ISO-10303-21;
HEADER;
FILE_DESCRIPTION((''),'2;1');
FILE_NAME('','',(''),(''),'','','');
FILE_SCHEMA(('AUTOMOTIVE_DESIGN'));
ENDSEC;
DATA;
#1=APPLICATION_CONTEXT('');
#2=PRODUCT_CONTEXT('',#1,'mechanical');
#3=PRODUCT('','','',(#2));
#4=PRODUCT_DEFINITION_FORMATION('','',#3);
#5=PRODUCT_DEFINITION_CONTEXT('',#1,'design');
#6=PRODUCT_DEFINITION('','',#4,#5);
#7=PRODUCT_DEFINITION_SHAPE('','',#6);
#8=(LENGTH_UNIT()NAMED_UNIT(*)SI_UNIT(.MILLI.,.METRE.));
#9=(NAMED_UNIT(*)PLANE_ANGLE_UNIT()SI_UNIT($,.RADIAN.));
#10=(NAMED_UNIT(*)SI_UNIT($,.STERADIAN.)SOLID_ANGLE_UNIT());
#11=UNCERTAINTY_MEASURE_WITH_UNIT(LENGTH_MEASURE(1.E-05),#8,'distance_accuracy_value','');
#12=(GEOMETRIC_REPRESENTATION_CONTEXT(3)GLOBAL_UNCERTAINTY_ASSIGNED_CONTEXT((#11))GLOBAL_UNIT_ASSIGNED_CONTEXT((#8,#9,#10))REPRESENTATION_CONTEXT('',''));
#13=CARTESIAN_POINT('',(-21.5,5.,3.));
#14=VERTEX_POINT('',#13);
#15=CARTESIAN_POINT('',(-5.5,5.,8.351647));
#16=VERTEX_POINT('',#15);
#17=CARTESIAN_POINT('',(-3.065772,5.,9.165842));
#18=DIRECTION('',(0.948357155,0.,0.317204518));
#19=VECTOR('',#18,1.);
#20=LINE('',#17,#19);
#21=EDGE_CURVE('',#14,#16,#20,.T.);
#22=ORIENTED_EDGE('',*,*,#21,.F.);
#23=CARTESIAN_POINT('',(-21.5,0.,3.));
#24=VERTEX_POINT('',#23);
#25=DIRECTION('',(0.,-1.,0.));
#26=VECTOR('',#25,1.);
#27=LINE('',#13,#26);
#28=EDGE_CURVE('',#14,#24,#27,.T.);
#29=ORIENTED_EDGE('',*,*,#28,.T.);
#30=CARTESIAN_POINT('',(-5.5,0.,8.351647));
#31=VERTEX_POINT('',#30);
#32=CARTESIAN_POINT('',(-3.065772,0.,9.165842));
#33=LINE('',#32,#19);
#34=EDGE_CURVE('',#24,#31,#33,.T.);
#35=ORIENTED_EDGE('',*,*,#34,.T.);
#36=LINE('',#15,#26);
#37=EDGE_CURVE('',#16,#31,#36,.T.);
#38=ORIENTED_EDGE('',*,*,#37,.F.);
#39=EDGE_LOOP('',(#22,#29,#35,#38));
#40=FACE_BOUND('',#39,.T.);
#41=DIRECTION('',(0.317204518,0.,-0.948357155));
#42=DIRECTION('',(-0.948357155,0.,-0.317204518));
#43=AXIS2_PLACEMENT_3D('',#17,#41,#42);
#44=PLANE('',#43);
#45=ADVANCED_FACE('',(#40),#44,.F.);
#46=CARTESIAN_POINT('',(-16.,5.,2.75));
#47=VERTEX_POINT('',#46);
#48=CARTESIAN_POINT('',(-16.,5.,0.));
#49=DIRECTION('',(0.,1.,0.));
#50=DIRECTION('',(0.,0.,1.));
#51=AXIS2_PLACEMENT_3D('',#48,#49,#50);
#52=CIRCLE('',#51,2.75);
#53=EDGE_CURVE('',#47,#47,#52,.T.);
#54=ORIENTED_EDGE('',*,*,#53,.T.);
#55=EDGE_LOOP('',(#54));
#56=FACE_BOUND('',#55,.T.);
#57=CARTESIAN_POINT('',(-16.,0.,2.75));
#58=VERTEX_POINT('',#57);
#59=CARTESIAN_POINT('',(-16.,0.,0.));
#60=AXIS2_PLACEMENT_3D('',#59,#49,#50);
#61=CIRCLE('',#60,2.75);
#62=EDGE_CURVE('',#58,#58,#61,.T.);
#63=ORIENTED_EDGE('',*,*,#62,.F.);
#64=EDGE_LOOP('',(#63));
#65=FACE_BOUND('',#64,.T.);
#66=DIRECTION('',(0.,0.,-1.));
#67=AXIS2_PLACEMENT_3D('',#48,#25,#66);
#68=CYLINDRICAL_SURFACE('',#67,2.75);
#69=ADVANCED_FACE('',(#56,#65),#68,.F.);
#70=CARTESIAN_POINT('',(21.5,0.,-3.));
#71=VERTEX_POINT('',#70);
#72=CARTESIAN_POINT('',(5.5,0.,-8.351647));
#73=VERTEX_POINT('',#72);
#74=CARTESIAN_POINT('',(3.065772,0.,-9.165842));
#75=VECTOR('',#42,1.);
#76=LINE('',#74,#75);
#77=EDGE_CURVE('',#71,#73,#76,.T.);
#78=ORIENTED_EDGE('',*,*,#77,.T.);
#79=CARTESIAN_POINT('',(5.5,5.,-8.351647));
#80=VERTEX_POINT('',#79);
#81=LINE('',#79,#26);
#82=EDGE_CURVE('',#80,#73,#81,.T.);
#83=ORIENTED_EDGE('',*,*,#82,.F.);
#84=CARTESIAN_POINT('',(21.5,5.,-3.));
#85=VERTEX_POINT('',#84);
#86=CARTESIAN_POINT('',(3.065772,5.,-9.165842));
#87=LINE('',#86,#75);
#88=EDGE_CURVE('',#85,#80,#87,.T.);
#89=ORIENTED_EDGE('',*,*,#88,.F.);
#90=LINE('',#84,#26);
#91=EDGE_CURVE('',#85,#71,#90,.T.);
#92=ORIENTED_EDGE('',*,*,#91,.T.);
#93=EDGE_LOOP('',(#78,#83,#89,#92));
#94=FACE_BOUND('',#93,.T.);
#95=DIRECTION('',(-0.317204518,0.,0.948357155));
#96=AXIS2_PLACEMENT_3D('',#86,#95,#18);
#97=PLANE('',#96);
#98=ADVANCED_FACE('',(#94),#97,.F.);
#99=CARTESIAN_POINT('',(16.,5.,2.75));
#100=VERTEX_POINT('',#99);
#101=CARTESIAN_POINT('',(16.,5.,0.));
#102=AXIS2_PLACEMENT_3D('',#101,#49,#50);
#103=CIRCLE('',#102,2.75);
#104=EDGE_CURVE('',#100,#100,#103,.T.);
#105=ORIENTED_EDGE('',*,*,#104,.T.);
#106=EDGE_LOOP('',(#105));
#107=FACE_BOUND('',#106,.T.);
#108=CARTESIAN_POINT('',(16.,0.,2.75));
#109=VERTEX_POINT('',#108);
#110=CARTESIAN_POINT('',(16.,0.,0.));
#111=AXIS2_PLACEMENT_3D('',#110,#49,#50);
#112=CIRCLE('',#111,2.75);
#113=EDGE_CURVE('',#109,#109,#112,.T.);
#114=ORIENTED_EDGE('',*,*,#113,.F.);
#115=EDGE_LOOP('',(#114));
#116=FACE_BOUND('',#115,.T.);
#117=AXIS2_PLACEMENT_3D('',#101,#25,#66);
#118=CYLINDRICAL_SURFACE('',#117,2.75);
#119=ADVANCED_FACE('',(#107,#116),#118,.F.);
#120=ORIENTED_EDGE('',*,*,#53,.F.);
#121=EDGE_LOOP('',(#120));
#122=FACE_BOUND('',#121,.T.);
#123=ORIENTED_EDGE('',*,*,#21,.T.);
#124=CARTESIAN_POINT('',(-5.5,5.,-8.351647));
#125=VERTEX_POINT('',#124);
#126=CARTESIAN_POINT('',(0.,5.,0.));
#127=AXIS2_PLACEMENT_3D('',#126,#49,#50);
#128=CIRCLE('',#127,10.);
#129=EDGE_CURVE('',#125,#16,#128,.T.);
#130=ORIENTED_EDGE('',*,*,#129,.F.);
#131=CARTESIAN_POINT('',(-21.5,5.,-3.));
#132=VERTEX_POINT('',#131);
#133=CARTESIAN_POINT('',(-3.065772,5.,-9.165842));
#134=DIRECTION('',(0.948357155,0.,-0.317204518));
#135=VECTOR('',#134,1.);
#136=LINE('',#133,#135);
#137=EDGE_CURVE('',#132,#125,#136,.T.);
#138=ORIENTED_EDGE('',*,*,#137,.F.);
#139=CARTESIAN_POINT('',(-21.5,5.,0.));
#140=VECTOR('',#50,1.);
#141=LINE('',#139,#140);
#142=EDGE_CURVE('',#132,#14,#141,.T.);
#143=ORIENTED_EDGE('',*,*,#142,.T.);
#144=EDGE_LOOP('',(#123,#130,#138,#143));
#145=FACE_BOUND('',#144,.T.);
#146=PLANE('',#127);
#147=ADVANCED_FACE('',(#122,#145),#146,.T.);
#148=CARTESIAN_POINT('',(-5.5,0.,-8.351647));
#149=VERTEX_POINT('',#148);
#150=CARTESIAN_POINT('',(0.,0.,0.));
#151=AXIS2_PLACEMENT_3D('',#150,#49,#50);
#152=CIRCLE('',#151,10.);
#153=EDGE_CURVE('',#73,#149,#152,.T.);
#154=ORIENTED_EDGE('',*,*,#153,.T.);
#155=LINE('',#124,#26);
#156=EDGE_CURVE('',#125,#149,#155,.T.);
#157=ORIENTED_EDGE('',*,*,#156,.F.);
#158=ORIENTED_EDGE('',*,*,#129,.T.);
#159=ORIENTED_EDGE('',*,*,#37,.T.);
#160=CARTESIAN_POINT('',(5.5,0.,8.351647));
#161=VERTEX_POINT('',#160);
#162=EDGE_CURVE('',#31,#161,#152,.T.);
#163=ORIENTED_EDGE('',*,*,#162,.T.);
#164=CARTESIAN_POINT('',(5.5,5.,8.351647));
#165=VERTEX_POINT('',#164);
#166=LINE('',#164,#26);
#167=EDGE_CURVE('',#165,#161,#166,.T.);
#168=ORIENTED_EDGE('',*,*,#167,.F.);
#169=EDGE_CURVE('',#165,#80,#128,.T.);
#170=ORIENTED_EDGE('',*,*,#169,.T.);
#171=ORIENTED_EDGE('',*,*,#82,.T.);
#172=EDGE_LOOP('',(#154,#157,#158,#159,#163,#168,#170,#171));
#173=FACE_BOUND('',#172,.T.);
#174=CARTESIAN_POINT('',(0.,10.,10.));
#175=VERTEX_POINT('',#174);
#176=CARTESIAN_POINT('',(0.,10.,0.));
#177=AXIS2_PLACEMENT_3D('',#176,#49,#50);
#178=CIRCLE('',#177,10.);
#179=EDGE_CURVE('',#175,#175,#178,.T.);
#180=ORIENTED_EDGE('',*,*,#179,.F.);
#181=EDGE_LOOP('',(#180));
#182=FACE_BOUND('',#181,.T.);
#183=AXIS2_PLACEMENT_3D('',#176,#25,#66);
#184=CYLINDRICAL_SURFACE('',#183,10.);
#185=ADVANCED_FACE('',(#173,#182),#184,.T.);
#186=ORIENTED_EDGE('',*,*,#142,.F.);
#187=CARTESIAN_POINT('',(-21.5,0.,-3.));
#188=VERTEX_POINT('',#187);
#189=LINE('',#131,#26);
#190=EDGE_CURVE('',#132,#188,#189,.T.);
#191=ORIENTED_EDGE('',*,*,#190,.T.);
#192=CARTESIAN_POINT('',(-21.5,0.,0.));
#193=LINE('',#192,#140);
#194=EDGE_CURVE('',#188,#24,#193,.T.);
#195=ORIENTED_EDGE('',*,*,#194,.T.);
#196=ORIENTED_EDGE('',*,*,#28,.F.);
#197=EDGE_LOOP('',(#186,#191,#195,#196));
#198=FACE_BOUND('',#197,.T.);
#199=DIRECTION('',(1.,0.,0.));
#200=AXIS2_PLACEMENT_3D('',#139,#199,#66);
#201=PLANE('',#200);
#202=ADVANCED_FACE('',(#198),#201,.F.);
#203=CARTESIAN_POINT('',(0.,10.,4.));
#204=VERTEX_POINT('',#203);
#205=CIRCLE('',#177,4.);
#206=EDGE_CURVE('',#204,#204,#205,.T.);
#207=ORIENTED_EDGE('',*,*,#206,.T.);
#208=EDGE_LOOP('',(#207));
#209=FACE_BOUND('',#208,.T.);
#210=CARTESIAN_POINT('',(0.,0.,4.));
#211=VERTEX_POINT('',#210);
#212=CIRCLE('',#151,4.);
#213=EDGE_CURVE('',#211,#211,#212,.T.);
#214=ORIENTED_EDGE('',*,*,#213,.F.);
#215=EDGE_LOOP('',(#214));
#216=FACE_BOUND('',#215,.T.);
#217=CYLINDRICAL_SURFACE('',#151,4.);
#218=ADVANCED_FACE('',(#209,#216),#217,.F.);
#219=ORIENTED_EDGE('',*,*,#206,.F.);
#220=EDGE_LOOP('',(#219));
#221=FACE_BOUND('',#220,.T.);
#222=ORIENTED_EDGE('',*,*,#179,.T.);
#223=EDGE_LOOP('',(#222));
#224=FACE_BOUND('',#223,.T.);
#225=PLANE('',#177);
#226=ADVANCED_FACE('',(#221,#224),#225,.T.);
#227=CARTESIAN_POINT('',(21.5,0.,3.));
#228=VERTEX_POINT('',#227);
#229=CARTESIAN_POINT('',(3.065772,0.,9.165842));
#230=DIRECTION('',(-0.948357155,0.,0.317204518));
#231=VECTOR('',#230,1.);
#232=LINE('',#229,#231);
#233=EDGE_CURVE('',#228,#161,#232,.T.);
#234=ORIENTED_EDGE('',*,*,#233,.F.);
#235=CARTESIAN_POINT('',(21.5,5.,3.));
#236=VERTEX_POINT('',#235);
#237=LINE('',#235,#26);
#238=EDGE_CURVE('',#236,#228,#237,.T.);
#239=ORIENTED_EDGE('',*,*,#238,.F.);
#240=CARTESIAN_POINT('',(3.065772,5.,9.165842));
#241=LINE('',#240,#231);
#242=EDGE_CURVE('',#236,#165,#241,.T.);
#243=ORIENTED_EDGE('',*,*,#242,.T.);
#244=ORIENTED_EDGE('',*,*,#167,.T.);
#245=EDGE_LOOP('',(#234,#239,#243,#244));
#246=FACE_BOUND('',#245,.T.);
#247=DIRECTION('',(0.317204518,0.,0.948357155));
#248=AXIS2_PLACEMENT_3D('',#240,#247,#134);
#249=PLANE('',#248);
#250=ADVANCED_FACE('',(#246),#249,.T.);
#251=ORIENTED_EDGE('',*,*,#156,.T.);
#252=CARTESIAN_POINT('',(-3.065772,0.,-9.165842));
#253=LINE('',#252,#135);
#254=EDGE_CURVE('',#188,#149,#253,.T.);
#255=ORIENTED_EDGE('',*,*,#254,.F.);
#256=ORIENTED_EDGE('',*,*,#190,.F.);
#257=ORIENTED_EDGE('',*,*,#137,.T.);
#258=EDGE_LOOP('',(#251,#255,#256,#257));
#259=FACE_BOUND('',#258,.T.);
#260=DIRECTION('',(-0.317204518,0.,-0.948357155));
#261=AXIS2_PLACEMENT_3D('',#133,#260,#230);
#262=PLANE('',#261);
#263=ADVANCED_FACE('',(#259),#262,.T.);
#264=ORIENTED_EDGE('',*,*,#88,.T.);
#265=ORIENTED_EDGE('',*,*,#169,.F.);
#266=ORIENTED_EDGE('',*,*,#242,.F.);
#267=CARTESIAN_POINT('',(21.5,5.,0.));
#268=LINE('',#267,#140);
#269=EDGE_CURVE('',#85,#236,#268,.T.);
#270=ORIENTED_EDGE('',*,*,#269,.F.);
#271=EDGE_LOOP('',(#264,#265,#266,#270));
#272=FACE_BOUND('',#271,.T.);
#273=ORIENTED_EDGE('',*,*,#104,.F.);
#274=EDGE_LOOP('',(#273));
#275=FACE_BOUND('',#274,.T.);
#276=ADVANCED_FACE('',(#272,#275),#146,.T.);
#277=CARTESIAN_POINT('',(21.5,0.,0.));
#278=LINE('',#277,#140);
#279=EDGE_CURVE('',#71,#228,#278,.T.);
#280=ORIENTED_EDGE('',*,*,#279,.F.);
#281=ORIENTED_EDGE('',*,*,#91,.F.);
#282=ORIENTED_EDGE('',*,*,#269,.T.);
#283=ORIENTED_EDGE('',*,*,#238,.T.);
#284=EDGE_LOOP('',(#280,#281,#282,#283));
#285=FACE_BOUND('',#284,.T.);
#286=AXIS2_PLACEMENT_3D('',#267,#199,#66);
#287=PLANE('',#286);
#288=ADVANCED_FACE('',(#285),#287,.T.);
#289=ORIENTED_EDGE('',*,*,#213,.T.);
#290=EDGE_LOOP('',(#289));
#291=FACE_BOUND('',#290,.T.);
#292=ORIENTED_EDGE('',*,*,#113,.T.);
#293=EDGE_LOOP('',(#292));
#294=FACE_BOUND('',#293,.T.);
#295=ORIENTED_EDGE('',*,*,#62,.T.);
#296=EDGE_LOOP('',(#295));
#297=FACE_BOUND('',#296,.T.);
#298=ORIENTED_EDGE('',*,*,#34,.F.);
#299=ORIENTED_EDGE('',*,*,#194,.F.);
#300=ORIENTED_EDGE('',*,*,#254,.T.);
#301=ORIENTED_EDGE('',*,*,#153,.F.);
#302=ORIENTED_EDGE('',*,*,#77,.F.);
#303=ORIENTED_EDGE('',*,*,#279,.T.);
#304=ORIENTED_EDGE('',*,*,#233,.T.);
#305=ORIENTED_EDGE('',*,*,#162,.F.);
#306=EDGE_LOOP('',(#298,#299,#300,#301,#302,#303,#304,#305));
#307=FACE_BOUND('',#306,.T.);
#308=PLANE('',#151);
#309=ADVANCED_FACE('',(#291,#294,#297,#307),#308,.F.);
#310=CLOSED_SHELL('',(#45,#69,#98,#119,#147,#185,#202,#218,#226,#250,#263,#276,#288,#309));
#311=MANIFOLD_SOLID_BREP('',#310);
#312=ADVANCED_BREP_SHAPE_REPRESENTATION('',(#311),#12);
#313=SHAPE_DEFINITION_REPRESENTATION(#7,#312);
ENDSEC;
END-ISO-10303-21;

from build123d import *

# Parameters (mm, degrees)
SKETCH1_R             = 2.75
BOSS_EXTRUDE1_DEPTH   = 5
BOSS_EXTRUDE1_2_DEPTH = 5
BOSS_EXTRUDE2_DEPTH   = 10
SKETCH2_R             = 4
CUT_EXTRUDE1_DEPTH    = 26.734218465


with BuildPart() as part:
    # Sketch1 → Boss-Extrude1 (new body)
    with BuildSketch(Plane(origin=(0, 0, 0), x_dir=(1, 0, 0), z_dir=(0, 1, 0))):
        with BuildLine():
            Line((21.5, -3), (21.5, 3))
            Line((21.5, 3), (5.5, 8.351646544))
            ThreePointArc((5.5, 8.351646544), (10, 0), (5.5, -8.351646544))
            Line((5.5, -8.351646544), (21.5, -3))
        make_face()
        with Locations((16, 0)):
            Circle(SKETCH1_R, mode=Mode.SUBTRACT)
    extrude(amount=BOSS_EXTRUDE1_DEPTH)



with BuildPart() as body_2:
    # Sketch1 → Boss-Extrude1 2 (new body)
    with BuildSketch(Plane(origin=(0, 0, 0), x_dir=(1, 0, 0), z_dir=(0, 1, 0))):
        with BuildLine():
            ThreePointArc((-5.5, -8.351646544), (-10, 0), (-5.5, 8.351646544))
            Line((-5.5, 8.351646544), (-21.5, 3))
            Line((-21.5, 3), (-21.5, -3))
            Line((-21.5, -3), (-5.5, -8.351646544))
        make_face()
        with Locations((-16, 0)):
            Circle(SKETCH1_R, mode=Mode.SUBTRACT)
    extrude(amount=BOSS_EXTRUDE1_2_DEPTH)


with BuildPart() as part_1:
    add(part.part)

    add(body_2.part)  # Boss-Extrude2 merges body 2
    # Sketch1<3> → Boss-Extrude2 (add)
    with BuildSketch(Plane(origin=(0, 0, 0), x_dir=(1, 0, 0), z_dir=(0, 1, 0))):
        with BuildLine():
            ThreePointArc((5.5, 8.351646544), (2.870847848, 9.579051761), (3.1e-08, 10))
            ThreePointArc((3.1e-08, 10), (-2.870847818, 9.57905177), (-5.5, 8.351646544))
            ThreePointArc((-5.5, 8.351646544), (-10, 0), (-5.5, -8.351646544))
            ThreePointArc((-5.5, -8.351646544), (-2.870847833, -9.579051765), (0, -10))
            ThreePointArc((0, -10), (2.870847833, -9.579051765), (5.5, -8.351646544))
            ThreePointArc((5.5, -8.351646544), (8.803408431, -4.74341649), (10, 0))
            ThreePointArc((10, 0), (8.803408431, 4.74341649), (5.5, 8.351646544))
        make_face()
    extrude(amount=BOSS_EXTRUDE2_DEPTH)

    # Sketch2 → Cut-Extrude1 (cut, through all)
    with BuildSketch(Plane(origin=(0, 10, 0), x_dir=(1, 0, 0), z_dir=(0, 1, 0))):
        Circle(SKETCH2_R)
    extrude(amount=-CUT_EXTRUDE1_DEPTH, mode=Mode.SUBTRACT)


solid = part_1.part
